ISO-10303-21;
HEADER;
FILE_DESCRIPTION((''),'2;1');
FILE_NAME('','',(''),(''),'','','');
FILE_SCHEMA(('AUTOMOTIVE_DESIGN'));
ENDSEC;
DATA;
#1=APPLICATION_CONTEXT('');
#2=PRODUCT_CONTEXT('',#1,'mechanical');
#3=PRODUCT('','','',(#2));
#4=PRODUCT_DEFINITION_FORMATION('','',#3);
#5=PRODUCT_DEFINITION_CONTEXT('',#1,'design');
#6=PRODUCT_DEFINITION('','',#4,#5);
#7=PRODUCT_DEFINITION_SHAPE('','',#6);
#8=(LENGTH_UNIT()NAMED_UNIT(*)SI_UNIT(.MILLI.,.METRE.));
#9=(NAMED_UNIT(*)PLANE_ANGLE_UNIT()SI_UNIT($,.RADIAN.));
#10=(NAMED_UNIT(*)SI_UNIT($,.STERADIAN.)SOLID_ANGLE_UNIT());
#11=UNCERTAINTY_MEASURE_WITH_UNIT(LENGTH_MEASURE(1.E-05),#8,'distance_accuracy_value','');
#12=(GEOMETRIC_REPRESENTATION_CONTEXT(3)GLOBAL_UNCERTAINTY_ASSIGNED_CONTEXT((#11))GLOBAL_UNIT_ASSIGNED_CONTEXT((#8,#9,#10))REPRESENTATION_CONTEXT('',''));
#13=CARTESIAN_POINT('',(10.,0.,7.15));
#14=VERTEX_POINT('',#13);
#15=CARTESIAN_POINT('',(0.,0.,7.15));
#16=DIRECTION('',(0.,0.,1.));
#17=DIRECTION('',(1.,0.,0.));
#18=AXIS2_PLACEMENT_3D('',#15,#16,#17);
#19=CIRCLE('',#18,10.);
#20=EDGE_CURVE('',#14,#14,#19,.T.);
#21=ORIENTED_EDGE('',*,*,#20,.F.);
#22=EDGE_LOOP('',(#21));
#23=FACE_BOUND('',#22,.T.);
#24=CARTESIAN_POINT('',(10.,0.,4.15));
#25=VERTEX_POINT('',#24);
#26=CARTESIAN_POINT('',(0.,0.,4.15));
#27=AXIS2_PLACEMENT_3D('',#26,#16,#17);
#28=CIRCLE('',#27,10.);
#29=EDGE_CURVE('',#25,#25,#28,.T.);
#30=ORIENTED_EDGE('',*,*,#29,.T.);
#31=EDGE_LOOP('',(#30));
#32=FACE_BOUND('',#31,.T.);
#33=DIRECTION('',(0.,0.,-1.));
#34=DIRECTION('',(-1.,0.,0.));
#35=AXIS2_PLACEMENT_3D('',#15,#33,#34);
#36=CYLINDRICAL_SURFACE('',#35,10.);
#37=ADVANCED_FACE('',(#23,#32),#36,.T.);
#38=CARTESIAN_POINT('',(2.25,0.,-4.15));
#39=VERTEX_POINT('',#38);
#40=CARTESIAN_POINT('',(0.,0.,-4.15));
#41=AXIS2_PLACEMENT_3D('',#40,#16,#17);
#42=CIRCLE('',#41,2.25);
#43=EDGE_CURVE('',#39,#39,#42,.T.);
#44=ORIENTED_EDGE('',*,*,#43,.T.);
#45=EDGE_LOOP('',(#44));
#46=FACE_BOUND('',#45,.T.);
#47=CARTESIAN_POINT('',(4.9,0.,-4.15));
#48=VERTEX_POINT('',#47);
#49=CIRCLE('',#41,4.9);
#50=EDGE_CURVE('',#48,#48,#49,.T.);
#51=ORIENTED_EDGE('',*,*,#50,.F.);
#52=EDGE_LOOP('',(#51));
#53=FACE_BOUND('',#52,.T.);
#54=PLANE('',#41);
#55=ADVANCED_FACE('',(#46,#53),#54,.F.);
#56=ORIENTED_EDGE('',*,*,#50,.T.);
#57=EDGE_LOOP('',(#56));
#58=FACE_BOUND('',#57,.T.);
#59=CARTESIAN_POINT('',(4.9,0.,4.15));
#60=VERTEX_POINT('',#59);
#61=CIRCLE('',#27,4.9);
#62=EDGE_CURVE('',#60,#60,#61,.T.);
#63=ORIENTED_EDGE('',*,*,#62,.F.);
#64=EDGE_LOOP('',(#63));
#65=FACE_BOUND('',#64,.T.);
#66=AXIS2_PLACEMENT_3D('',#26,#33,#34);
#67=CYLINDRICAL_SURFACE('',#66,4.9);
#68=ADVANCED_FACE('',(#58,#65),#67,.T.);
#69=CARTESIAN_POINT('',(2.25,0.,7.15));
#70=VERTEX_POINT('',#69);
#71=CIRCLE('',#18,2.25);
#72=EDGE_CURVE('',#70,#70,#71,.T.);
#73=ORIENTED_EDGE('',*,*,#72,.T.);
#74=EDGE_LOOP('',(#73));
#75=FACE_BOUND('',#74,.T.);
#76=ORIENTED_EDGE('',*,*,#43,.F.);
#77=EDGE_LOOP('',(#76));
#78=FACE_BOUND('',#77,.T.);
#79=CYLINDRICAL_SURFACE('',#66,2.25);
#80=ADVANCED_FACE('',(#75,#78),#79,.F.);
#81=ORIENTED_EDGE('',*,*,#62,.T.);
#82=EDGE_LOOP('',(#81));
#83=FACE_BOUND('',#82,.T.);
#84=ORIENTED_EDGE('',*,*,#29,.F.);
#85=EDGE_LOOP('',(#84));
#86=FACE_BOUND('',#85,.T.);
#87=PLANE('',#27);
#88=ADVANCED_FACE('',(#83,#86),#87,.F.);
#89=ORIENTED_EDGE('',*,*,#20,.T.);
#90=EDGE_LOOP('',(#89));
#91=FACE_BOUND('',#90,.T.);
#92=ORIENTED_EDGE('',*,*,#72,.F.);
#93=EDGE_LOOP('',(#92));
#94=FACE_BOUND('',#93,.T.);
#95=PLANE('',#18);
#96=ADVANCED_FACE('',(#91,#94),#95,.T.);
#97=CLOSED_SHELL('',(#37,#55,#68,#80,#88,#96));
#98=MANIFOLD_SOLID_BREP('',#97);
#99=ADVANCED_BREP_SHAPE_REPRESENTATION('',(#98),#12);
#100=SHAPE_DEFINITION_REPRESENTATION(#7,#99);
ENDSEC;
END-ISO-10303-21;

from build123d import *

# Parameters (mm, degrees)
SKETCH1_R           = 4.9
SKETCH1_R_2         = 2.25
BOSS_EXTRUDE1_DEPTH = 4.15
SKETCH2_R           = 10
SKETCH2_R_2         = 2.25
BOSS_EXTRUDE2_DEPTH = 3


with BuildPart() as part:
    # Sketch1 → Boss-Extrude1 (new body, symmetric)
    with BuildSketch(Plane.XY):
        Circle(SKETCH1_R)
        Circle(SKETCH1_R_2, mode=Mode.SUBTRACT)
    extrude(amount=BOSS_EXTRUDE1_DEPTH, both=True)

    # Sketch2 → Boss-Extrude2 (add)
    with BuildSketch(Plane.XY.offset(4.15)):
        Circle(SKETCH2_R)
        Circle(SKETCH2_R_2, mode=Mode.SUBTRACT)
    extrude(amount=BOSS_EXTRUDE2_DEPTH)


solid = part.part
